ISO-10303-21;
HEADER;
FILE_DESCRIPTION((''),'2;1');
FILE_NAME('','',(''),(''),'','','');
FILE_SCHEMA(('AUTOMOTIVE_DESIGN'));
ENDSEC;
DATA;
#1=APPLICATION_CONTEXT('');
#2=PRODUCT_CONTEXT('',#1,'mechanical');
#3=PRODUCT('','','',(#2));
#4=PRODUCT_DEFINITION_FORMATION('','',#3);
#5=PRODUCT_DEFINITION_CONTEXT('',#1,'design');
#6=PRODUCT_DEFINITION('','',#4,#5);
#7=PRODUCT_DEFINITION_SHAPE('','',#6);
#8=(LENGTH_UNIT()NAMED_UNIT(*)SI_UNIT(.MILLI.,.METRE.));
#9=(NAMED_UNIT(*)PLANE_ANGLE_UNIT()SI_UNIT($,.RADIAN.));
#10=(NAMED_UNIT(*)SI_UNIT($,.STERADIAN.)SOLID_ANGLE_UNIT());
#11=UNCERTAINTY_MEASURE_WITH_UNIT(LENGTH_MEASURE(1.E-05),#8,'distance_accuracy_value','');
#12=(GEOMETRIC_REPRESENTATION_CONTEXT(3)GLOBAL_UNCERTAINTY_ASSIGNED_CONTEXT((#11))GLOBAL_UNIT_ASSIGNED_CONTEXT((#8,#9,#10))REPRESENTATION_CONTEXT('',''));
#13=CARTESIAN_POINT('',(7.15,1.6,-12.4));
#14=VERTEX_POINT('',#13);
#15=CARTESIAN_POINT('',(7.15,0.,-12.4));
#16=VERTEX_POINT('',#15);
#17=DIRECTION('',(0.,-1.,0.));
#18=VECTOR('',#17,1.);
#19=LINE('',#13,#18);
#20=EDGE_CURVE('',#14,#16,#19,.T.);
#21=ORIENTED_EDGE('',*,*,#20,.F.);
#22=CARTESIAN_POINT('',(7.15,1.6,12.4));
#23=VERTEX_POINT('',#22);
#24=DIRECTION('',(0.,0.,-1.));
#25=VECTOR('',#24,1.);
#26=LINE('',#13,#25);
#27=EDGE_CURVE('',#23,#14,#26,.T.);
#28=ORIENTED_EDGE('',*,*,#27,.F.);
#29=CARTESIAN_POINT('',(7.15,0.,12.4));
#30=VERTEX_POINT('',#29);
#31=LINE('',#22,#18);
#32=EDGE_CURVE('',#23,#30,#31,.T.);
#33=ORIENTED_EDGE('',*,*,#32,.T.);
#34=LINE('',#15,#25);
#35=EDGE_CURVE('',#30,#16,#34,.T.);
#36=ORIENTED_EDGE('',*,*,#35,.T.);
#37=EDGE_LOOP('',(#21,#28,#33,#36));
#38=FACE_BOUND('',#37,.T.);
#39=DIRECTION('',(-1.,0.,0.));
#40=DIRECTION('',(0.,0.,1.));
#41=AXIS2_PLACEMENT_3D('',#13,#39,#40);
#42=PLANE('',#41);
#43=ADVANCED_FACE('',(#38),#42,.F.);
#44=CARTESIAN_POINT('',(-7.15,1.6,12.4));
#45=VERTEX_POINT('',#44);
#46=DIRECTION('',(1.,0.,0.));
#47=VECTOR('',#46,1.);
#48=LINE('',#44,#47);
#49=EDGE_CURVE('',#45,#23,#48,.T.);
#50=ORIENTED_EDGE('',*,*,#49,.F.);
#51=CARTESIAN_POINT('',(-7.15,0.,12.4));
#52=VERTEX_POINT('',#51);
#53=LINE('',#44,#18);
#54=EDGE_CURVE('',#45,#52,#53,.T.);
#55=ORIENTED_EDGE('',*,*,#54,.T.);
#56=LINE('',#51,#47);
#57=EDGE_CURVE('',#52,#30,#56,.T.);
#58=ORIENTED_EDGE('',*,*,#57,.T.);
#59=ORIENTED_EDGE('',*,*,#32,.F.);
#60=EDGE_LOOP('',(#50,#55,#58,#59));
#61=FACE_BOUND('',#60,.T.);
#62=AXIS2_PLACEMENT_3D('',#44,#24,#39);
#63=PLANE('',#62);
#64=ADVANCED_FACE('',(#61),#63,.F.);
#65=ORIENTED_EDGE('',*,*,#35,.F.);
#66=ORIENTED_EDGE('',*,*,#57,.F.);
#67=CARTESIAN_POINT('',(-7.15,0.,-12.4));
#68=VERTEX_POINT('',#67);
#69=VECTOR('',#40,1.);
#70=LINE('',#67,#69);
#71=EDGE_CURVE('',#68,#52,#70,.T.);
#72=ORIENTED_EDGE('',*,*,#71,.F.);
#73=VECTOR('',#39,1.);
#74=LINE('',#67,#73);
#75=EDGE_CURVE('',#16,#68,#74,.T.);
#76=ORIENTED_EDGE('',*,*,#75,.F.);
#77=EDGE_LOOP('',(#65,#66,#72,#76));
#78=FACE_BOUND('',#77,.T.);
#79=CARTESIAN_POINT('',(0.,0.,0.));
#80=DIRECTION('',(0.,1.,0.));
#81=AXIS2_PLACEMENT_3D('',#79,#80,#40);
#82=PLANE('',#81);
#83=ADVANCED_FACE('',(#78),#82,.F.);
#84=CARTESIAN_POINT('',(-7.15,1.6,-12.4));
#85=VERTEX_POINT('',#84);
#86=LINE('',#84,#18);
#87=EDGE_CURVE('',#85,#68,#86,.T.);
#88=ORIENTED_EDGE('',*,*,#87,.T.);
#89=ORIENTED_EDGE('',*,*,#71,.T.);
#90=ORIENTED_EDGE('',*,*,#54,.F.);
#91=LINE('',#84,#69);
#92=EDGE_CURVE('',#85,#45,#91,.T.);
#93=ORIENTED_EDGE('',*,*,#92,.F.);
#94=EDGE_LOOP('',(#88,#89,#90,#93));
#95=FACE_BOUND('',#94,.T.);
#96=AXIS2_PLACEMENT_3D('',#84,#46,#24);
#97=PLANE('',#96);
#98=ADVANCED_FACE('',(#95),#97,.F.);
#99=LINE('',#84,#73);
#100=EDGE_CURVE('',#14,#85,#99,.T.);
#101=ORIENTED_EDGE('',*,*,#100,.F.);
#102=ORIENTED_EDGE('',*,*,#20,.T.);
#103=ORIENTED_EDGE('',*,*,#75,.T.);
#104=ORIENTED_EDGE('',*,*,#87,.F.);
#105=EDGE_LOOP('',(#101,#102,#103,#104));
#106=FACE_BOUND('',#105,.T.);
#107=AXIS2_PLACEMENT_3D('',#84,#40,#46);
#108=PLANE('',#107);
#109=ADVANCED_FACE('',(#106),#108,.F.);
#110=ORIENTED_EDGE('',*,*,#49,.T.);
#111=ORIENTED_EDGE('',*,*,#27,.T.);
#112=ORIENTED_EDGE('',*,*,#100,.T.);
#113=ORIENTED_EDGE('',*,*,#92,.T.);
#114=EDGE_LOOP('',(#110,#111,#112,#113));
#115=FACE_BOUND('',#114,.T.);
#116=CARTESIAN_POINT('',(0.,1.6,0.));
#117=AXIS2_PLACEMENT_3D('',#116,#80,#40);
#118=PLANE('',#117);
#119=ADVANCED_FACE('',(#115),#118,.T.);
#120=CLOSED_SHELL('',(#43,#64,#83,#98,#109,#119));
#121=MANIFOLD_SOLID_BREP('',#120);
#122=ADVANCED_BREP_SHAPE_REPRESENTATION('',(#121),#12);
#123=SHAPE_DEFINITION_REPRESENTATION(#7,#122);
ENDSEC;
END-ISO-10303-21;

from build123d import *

# Parameters (mm, degrees)
SKETCH_1_W      = 14.3
SKETCH_1_H      = 24.8
EXTRUDE_1_DEPTH = 1.6


with BuildPart() as part:
    # 草图1 → 凸台-拉伸1 (new body)
    with BuildSketch(Plane(origin=(0, 0, 0), x_dir=(1, 0, 0), z_dir=(0, 1, 0))):
        Rectangle(SKETCH_1_W, SKETCH_1_H)
    extrude(amount=EXTRUDE_1_DEPTH)


solid = part.part
